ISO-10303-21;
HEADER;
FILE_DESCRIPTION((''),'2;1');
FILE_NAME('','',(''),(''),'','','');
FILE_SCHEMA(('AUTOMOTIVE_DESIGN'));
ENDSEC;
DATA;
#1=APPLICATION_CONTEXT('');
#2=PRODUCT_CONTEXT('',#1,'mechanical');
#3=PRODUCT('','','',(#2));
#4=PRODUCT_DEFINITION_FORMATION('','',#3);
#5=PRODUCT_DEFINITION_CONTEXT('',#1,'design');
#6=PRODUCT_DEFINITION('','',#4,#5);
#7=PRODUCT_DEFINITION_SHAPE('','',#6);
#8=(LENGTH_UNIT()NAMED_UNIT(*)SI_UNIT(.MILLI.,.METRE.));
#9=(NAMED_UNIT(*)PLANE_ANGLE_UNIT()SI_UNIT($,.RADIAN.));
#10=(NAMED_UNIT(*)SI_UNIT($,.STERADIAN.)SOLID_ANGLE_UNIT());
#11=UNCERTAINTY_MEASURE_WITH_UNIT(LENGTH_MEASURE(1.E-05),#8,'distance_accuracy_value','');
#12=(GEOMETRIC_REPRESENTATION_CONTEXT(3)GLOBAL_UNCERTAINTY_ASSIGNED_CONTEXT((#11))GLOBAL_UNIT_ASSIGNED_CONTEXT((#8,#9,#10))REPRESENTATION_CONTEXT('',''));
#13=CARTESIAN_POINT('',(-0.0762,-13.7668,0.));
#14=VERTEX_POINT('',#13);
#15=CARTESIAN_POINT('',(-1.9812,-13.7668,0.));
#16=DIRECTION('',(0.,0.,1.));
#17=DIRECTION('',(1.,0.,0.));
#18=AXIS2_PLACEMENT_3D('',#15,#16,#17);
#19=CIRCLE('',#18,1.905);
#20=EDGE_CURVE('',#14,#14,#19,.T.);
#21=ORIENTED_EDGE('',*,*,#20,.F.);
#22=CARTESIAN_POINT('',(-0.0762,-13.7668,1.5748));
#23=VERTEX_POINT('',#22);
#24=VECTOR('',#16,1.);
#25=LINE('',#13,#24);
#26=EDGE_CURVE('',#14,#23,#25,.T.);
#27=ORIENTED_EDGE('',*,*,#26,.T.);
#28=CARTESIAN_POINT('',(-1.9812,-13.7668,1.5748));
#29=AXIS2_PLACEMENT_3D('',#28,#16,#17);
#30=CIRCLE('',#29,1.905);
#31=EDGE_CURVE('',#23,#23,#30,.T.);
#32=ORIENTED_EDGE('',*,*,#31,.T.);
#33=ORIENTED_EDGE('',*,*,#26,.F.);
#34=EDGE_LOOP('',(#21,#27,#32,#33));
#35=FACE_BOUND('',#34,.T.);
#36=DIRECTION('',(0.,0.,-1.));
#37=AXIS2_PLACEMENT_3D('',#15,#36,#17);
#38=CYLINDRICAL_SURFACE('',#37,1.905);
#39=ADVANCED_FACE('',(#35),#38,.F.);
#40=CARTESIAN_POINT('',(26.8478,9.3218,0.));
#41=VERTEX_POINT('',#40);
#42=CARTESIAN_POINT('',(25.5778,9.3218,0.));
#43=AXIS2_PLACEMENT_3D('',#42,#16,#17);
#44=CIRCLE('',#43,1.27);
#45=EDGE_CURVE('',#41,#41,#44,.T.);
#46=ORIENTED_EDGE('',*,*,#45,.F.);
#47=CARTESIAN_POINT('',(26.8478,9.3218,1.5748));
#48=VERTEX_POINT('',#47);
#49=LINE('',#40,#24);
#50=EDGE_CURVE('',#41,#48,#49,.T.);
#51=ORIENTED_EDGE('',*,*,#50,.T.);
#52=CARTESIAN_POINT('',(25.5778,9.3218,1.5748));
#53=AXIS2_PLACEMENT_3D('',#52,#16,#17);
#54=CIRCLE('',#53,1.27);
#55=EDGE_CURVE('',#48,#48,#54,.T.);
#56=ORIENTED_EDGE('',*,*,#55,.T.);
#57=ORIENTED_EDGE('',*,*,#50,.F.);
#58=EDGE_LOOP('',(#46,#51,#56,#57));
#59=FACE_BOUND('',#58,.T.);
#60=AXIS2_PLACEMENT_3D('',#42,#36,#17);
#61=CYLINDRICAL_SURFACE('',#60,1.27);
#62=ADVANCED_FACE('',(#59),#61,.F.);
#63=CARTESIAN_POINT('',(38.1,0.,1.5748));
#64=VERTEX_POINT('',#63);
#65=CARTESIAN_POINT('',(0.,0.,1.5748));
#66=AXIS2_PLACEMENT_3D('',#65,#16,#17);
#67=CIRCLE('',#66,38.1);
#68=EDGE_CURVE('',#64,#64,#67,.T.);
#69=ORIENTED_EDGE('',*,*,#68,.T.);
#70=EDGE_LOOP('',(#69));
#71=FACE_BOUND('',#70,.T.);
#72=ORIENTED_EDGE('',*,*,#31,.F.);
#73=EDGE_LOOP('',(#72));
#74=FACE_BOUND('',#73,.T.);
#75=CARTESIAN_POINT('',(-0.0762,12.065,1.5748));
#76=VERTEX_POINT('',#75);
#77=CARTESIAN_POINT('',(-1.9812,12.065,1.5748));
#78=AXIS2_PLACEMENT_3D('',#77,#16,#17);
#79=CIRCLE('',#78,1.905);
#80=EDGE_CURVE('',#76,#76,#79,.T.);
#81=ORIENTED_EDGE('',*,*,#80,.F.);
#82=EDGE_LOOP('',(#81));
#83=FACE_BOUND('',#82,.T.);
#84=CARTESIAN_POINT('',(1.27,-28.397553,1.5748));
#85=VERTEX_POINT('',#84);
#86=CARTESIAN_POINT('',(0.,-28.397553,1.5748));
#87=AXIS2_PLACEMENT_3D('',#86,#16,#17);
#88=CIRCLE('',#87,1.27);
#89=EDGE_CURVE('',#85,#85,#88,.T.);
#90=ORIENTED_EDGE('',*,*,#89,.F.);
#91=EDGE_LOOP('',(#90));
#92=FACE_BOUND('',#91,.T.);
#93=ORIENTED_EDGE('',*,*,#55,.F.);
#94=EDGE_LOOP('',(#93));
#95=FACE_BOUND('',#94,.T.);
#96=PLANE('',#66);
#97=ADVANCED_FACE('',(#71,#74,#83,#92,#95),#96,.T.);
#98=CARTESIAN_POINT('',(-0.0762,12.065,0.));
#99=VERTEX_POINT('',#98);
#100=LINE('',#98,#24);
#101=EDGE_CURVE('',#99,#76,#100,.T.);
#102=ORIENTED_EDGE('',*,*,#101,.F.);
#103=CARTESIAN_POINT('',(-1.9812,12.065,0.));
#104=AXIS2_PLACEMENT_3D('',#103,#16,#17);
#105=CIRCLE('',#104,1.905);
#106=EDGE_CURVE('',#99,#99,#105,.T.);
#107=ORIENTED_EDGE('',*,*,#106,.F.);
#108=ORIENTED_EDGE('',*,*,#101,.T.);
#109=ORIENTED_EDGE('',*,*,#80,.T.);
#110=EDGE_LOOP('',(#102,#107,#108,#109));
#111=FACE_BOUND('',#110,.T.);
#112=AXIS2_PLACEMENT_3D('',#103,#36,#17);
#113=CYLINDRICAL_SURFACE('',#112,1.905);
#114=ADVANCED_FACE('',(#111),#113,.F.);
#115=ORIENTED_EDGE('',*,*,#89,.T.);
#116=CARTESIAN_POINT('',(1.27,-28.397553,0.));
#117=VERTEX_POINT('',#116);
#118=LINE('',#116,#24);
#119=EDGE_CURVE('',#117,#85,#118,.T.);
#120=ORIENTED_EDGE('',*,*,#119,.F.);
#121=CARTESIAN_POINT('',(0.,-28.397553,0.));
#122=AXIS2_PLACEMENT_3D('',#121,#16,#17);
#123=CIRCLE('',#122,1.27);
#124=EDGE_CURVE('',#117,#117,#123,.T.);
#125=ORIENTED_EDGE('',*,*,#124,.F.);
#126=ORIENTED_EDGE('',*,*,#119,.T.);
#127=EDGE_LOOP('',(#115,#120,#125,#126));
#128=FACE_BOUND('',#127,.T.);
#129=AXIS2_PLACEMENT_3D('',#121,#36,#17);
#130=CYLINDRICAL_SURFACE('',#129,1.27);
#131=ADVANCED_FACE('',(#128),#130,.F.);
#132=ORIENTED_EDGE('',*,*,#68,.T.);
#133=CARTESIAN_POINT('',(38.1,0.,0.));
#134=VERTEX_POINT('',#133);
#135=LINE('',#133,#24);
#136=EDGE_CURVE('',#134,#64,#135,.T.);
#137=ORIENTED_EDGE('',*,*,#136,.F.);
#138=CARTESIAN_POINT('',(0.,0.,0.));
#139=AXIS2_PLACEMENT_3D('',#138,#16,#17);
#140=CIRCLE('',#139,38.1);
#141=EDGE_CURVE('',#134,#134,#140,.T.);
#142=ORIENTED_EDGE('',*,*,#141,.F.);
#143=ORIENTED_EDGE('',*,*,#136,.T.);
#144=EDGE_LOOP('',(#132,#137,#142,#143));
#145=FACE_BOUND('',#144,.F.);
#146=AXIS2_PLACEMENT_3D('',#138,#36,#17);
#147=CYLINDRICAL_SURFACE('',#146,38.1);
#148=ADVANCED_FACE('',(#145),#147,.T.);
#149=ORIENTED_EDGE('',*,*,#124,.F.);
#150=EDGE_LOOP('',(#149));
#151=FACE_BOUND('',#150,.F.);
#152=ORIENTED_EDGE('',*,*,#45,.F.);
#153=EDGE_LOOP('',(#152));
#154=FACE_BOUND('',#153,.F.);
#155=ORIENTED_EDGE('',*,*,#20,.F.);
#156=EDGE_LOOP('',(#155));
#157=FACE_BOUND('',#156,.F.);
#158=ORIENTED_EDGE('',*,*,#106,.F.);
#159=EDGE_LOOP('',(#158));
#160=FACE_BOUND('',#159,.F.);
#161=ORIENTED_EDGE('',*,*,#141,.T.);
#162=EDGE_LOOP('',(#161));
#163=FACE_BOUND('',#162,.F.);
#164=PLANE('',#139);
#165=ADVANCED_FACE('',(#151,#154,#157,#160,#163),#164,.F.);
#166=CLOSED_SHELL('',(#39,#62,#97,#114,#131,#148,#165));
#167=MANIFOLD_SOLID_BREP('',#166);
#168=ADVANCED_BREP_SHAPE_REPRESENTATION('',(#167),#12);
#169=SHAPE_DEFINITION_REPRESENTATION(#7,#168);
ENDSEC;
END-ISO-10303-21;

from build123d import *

# Parameters (mm, degrees)
F0_R     = 38.1
F0_R_2   = 1.905
F0_R_3   = 1.27
F1_DEPTH = 1.5748


with BuildPart() as f1:
    # F0 (on Top) → F1 (new body)
    with BuildSketch(Plane.XY):
        Circle(F0_R)
        with Locations((-1.9812, -13.7668)):
            Circle(F0_R_2, mode=Mode.SUBTRACT)
        with Locations((0, -28.397553)):
            Circle(F0_R_3, mode=Mode.SUBTRACT)
        with Locations((-1.9812, 12.065)):
            Circle(F0_R_2, mode=Mode.SUBTRACT)
        with Locations((25.5778, 9.3218)):
            Circle(F0_R_3, mode=Mode.SUBTRACT)
    extrude(amount=F1_DEPTH)


solid = f1.part
